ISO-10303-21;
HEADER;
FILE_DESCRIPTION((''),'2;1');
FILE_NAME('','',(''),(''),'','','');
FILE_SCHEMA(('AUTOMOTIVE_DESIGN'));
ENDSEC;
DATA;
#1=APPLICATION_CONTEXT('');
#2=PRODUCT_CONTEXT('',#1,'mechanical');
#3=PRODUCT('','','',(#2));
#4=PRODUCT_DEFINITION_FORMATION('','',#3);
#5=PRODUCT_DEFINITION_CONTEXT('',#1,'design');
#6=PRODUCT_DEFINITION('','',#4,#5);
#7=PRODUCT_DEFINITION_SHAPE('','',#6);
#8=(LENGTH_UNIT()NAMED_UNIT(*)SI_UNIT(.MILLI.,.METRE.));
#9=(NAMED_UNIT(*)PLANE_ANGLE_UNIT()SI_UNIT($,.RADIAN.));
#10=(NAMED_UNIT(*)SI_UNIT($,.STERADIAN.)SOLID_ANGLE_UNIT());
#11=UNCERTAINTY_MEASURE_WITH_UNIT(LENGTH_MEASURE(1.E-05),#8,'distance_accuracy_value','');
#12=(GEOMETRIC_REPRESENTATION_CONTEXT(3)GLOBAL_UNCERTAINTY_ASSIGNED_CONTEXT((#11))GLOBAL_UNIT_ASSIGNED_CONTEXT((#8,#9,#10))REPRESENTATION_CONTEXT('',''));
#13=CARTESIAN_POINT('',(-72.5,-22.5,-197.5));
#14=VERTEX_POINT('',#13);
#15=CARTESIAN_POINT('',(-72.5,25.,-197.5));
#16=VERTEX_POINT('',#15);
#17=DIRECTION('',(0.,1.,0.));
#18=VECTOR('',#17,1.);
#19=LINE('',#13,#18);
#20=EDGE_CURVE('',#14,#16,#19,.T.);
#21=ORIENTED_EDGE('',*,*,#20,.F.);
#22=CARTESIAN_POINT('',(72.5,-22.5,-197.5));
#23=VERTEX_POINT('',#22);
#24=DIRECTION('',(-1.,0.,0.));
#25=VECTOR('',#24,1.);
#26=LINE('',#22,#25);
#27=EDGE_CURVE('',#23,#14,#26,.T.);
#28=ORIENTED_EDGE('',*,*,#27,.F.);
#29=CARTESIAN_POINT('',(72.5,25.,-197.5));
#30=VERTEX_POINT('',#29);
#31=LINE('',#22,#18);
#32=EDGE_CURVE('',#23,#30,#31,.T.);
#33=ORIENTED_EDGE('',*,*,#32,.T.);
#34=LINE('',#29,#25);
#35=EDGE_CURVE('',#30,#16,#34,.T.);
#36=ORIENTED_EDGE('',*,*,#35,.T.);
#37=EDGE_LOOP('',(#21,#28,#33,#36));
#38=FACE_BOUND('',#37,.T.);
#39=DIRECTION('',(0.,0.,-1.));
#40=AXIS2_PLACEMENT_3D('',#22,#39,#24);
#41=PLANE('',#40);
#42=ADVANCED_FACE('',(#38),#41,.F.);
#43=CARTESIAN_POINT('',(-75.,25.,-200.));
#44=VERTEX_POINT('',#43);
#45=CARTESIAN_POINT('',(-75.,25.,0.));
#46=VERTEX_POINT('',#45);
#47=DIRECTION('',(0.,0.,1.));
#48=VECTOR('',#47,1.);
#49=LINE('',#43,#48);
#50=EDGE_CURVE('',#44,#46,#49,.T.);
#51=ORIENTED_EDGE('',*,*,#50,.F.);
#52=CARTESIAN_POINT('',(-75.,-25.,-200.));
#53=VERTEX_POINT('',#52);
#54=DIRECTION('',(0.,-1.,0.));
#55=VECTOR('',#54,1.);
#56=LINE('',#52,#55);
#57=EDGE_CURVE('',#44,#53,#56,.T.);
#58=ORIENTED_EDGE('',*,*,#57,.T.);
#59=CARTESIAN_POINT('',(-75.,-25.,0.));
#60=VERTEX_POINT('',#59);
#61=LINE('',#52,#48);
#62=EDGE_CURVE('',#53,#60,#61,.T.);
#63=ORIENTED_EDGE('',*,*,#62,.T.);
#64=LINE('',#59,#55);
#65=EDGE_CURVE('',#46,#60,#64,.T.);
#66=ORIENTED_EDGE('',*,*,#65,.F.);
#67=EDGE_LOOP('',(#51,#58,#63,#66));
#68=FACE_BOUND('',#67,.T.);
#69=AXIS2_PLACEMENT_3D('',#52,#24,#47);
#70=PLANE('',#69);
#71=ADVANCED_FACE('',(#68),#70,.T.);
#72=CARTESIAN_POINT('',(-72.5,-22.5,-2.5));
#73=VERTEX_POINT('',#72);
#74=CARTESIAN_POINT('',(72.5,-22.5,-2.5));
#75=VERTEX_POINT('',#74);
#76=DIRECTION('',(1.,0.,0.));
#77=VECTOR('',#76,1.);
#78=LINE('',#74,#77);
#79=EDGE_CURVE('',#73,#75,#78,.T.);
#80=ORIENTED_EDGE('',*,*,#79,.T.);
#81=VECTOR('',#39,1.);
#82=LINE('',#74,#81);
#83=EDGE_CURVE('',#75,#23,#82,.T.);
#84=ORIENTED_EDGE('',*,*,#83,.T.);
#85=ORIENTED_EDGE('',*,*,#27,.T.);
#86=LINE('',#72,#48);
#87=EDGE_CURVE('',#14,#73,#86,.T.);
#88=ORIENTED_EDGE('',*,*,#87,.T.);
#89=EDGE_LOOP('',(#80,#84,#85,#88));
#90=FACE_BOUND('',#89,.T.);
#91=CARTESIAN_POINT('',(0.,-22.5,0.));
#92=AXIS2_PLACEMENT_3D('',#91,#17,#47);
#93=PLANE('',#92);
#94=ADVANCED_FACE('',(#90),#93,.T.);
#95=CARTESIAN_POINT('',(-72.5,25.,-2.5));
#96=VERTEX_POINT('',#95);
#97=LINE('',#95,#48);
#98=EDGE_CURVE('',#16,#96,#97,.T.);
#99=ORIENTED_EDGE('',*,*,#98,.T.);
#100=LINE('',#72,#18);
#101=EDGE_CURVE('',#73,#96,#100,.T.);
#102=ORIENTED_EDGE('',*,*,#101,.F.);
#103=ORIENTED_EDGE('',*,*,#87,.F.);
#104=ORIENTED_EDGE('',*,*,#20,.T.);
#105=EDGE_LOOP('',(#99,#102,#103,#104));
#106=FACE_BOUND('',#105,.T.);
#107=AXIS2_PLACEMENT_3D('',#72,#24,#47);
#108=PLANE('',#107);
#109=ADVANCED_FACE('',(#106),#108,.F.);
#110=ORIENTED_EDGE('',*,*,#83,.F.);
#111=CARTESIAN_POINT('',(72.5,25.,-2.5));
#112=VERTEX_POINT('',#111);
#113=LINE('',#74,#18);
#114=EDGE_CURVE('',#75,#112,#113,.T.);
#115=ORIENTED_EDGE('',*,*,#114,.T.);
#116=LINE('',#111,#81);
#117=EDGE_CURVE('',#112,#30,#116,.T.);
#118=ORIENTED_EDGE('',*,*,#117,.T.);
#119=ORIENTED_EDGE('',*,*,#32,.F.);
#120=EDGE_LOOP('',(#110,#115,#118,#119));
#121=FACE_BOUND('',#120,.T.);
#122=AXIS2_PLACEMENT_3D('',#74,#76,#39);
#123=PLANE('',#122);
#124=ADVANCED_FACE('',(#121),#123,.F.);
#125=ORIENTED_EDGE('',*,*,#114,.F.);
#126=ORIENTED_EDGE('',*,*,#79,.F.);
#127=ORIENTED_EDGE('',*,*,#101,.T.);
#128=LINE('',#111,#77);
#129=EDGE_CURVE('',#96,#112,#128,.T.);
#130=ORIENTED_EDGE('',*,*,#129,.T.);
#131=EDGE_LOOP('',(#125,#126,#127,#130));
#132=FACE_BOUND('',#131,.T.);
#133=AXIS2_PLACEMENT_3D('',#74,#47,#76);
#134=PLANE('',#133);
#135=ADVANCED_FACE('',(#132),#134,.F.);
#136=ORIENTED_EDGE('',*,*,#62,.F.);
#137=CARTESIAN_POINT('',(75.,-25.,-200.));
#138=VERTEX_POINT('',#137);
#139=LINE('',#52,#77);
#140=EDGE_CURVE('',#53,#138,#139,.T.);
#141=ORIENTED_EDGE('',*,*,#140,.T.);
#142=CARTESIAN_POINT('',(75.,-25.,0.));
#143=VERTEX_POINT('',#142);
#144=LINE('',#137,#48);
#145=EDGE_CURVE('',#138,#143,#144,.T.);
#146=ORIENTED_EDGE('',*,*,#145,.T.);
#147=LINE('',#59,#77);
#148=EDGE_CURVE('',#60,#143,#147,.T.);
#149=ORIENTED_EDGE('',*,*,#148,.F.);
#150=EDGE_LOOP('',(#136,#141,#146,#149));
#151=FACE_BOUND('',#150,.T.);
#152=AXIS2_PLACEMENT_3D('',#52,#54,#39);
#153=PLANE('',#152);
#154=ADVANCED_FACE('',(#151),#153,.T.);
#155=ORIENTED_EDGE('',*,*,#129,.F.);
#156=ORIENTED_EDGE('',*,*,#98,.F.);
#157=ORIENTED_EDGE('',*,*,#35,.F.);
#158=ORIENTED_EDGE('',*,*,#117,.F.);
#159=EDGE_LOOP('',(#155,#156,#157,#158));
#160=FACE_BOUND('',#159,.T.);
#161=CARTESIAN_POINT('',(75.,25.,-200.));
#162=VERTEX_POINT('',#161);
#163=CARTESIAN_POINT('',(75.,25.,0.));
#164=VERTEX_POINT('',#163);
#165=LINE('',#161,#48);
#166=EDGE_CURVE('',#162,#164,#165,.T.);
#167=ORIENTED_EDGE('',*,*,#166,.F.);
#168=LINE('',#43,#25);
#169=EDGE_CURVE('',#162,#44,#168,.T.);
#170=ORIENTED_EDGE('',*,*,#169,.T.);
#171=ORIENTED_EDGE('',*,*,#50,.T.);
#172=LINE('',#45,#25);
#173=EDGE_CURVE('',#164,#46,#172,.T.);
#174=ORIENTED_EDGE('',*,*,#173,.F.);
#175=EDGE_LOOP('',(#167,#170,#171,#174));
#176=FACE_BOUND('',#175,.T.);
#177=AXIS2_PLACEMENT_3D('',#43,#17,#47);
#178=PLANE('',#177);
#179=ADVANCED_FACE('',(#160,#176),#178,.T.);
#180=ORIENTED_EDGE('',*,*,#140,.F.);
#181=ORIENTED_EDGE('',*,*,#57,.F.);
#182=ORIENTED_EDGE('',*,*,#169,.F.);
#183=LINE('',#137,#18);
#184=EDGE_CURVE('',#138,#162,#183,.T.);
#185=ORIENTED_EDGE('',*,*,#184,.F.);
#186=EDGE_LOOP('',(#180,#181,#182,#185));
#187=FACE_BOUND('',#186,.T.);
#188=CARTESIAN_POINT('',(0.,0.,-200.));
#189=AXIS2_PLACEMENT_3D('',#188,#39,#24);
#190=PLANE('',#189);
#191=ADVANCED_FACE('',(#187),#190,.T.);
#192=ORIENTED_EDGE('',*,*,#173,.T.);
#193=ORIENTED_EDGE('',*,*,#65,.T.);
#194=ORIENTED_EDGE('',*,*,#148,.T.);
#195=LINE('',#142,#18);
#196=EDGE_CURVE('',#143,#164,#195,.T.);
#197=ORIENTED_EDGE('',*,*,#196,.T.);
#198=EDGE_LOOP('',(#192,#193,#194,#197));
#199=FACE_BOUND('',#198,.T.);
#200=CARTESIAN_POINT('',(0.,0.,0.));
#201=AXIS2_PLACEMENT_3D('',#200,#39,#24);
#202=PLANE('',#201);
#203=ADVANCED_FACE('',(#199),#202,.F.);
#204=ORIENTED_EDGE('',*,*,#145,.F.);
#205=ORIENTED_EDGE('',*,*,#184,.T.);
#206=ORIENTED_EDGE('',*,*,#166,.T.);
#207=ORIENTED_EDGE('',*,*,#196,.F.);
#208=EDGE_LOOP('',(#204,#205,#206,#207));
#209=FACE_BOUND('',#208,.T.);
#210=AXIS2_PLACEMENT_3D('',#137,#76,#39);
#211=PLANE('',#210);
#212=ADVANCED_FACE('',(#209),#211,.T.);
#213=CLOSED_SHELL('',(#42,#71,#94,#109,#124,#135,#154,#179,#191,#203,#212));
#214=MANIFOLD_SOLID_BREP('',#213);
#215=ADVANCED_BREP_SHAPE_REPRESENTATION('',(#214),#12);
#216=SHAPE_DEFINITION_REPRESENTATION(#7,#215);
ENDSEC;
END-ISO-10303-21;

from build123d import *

# Parameters (mm, degrees)
SKETCH2_W           = 150
SKETCH2_H           = 50
BOSS_EXTRUDE1_DEPTH = 200
SKETCH4_W           = 145
SKETCH4_H           = 195
CUT_EXTRUDE1_DEPTH  = 47.5


with BuildPart() as part:
    # Sketch2 → Boss-Extrude1 (new body)
    with BuildSketch(Plane.XY):
        Rectangle(SKETCH2_W, SKETCH2_H)
    extrude(amount=-BOSS_EXTRUDE1_DEPTH)

    # Sketch4 → Cut-Extrude1 (cut)
    with BuildSketch(Plane(origin=(0, 25, 0), x_dir=(1, 0, 0), z_dir=(0, 1, 0))):
        with Locations((0, 100)):
            Rectangle(SKETCH4_W, SKETCH4_H)
    extrude(amount=-CUT_EXTRUDE1_DEPTH, mode=Mode.SUBTRACT)


solid = part.part
